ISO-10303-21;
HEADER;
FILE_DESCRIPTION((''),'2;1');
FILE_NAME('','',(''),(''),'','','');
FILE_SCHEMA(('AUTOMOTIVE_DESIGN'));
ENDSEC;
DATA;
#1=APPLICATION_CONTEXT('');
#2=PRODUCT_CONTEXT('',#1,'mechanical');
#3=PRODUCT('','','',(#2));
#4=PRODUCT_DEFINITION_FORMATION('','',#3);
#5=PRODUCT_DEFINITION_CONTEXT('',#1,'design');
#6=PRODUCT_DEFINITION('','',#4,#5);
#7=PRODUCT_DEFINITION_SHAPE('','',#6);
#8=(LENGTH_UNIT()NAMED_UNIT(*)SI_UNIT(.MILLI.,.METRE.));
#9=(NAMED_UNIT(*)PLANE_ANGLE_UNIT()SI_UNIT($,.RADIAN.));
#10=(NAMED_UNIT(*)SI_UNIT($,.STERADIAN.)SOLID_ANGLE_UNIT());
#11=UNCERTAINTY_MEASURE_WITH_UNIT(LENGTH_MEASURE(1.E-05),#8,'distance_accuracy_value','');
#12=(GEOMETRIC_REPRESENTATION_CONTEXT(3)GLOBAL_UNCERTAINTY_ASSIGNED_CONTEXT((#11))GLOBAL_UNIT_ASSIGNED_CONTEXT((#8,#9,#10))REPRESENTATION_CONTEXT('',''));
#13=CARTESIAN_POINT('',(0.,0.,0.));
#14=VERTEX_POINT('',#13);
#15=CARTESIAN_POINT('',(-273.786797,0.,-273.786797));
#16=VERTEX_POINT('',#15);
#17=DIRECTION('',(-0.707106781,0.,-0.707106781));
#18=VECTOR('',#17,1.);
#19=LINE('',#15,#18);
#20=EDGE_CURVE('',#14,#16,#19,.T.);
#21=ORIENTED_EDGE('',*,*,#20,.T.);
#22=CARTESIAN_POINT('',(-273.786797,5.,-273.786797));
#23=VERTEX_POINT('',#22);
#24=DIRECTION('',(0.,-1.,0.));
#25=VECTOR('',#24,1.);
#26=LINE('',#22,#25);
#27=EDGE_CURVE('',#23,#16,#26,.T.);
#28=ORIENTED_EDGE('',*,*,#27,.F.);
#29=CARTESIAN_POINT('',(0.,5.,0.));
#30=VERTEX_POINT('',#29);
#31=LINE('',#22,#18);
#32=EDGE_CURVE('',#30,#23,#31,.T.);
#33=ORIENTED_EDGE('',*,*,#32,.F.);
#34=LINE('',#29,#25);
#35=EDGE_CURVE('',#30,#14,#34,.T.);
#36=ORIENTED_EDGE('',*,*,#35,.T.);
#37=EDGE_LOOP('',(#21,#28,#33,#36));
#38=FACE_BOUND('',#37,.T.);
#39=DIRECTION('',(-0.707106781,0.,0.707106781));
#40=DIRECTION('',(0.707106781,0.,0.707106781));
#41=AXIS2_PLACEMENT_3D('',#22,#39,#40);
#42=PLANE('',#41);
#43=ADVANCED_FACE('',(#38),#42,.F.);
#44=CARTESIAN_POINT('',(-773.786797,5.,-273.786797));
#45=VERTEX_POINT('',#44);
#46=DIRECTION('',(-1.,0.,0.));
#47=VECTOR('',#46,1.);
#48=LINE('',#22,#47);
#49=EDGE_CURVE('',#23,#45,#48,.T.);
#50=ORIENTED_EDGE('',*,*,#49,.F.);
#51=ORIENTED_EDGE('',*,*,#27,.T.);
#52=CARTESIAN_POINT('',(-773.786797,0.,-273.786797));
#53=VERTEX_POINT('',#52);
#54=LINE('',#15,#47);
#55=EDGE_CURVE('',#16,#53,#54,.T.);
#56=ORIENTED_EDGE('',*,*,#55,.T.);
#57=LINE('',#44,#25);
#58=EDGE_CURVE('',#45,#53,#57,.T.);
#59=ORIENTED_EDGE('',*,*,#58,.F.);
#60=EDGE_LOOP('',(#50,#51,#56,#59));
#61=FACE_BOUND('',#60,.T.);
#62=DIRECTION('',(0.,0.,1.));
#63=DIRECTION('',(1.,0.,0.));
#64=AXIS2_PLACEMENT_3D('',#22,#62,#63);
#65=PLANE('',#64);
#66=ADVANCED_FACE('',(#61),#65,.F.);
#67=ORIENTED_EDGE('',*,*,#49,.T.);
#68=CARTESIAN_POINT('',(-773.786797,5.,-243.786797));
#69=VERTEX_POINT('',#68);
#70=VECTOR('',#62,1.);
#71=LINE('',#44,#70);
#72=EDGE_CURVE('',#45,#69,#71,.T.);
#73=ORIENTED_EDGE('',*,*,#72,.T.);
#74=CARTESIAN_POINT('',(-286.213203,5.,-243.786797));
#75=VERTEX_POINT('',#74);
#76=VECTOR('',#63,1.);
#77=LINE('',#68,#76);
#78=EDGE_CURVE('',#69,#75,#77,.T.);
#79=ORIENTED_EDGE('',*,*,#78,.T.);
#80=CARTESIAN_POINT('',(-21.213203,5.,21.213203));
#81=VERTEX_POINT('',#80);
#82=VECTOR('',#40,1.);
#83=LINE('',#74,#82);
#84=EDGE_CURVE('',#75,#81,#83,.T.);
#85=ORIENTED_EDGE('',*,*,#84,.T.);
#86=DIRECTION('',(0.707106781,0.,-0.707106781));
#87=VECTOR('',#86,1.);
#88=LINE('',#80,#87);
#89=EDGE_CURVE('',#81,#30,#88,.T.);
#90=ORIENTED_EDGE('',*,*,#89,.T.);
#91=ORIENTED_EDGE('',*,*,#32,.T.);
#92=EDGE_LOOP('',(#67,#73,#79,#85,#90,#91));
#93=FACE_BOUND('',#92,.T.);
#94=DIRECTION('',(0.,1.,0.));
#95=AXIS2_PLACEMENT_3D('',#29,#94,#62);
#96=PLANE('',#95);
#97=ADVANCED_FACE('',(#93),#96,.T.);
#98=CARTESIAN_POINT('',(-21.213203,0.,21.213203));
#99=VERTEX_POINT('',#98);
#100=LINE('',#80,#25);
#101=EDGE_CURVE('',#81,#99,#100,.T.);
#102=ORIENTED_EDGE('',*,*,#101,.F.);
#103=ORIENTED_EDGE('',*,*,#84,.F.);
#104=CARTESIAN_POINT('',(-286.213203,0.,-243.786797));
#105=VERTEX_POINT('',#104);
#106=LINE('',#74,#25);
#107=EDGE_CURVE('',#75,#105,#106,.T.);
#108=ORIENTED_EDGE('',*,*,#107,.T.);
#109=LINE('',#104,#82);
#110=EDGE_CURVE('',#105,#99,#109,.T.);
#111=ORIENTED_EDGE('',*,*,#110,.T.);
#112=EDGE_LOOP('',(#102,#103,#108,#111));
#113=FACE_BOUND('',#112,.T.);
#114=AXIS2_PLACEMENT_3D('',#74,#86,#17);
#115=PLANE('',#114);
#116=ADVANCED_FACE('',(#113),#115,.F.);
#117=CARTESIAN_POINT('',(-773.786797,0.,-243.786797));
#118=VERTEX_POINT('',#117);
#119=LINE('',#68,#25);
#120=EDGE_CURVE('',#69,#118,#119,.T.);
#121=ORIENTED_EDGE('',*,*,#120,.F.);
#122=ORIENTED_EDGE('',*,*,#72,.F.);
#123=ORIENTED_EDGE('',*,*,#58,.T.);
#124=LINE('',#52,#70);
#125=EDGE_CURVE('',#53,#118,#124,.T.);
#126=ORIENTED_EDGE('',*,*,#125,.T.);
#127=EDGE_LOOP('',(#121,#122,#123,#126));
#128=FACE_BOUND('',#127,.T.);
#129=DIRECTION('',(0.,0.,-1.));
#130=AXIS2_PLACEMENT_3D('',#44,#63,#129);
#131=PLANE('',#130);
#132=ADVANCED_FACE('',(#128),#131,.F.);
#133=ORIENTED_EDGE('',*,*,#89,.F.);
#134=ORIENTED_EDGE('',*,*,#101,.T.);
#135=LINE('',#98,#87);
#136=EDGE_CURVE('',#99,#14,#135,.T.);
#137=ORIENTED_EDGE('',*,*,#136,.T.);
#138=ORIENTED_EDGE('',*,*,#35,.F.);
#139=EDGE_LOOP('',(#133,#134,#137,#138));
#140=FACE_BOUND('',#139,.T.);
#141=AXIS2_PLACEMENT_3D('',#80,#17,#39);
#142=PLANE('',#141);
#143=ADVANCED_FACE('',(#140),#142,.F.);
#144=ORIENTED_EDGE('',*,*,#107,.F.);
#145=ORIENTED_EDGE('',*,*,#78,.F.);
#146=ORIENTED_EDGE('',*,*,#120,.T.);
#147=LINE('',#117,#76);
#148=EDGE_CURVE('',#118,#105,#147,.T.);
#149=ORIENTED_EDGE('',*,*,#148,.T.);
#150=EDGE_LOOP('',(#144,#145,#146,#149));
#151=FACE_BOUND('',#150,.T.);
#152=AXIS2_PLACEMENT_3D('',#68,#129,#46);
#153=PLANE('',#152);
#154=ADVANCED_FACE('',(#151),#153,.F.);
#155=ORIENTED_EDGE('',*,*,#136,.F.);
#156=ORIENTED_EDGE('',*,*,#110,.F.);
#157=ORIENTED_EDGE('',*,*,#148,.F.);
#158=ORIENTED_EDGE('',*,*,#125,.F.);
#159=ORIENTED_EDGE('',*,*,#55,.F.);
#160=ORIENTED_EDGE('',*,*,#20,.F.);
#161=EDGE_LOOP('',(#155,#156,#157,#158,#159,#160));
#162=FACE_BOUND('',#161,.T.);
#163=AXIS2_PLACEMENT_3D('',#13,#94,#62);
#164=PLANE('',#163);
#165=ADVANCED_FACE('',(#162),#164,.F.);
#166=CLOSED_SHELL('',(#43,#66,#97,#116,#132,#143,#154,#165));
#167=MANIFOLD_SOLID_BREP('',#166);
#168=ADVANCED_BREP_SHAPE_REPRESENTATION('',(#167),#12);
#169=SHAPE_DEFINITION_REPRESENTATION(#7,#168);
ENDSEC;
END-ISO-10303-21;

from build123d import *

# Parameters (mm, degrees)
BOSS_EXTRUDE1_DEPTH = 5


with BuildPart() as part:
    # Sketch1 → Boss-Extrude1 (new body)
    with BuildSketch(Plane(origin=(0, 0, 0), x_dir=(1, 0, 0), z_dir=(0, 1, 0))):
        Polygon((-273.786796564, 273.786796564), (-773.786796564, 273.786796564), (-773.786796564, 243.786796564), (-286.213203436, 243.786796564), (-21.213203436, -21.213203436), (0, 0), align=None)
    extrude(amount=BOSS_EXTRUDE1_DEPTH)


solid = part.part
